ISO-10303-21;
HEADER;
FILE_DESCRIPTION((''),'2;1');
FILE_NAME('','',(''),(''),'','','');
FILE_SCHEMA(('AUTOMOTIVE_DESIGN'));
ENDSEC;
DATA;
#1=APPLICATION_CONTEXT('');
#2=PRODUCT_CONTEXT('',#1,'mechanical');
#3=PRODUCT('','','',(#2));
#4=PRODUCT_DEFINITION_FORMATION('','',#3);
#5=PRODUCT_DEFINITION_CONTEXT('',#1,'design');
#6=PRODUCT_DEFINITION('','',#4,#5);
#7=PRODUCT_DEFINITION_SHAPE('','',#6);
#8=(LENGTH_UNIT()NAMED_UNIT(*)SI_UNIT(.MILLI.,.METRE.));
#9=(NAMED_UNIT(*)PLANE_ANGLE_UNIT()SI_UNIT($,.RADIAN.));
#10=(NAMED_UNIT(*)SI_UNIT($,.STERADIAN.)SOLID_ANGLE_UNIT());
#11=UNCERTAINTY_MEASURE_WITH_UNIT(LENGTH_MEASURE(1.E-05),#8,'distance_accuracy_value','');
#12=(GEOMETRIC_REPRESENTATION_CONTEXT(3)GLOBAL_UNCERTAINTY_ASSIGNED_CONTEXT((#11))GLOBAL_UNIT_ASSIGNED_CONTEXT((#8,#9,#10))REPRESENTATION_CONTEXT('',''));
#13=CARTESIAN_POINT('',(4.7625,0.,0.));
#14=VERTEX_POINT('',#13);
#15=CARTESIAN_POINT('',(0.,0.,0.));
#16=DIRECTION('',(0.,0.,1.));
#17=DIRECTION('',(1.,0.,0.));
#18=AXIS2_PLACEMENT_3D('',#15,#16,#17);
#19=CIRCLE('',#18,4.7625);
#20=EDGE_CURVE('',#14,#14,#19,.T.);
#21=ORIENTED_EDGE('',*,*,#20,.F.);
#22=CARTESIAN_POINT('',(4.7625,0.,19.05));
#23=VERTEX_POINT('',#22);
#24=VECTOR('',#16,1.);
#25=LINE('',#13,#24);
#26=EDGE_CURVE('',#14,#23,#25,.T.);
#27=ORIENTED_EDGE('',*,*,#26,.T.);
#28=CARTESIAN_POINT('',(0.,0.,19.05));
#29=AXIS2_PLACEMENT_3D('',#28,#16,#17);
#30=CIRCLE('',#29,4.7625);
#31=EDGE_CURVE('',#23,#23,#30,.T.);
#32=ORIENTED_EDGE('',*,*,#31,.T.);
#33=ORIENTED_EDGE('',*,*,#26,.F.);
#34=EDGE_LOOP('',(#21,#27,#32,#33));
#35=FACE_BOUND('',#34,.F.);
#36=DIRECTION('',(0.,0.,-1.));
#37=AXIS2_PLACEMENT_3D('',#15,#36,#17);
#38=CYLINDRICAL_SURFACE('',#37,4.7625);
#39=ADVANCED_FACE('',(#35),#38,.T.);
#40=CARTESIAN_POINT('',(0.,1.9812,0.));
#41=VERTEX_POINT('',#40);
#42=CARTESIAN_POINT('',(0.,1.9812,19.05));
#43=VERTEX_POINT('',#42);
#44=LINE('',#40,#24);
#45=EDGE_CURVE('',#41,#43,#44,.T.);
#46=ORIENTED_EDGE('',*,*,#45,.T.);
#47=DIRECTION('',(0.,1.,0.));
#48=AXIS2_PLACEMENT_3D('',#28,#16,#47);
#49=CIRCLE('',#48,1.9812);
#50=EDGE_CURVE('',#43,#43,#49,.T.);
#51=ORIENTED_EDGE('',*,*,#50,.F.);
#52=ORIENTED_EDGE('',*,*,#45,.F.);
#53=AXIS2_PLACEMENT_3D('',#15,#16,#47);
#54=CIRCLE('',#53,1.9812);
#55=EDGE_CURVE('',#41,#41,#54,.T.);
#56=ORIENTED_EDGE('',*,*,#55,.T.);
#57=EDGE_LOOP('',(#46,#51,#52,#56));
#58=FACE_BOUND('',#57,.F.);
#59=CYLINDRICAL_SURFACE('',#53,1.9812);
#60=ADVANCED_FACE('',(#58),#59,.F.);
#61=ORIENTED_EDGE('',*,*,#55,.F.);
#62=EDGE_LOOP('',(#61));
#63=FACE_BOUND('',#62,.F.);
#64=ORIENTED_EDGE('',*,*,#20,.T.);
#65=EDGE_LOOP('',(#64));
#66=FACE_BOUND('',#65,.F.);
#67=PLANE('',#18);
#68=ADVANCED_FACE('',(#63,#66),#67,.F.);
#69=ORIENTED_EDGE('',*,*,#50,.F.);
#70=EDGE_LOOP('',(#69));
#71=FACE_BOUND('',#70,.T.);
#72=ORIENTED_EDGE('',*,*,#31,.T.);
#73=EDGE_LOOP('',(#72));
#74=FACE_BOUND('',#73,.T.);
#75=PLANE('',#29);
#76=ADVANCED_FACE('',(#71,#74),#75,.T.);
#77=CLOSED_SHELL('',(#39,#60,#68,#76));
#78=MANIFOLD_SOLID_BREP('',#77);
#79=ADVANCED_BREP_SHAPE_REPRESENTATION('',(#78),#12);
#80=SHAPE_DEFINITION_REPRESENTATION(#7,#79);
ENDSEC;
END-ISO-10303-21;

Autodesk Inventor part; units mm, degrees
ref_plane "YZ Plane" through (0, 0, 0) normal (1, 0, 0) x (0, 1, 0)
ref_plane "XZ Plane" through (0, 0, 0) normal (0, 1, 0) x (-1, 0, 0)
ref_plane "XY Plane" through (0, 0, 0) normal (0, 0, 1) x (1, 0, 0)
sketch "Sketch1" plane through (0, 0, 0) normal (0, 0, 1) x (1, 0, 0)
  circle A0 centre (0, 0) radius 4.7625
  dimension "d10" = 9.525
extrude "Extrusion1" add sketch "Sketch1" along normal blind 19.05
hole "Hole1" at (0, 0, 0) direction (0, 0, 1) diameter 3.9624 end through all thread size "10-32 UNF" class "2B" standard "ANSI Unified Screw Threads"
equation "\"d10\" = OutsideDiameter"
equation "\"d1\" = StandoffLength"
equation "\"StandoffLength\" = 19.05"
equation "\"HoleDiameter\" = 5.1054"
equation "\"OutsideDiameter\" = 9.525"
properties part number "GP6-006" material "Aluminum 6061"
